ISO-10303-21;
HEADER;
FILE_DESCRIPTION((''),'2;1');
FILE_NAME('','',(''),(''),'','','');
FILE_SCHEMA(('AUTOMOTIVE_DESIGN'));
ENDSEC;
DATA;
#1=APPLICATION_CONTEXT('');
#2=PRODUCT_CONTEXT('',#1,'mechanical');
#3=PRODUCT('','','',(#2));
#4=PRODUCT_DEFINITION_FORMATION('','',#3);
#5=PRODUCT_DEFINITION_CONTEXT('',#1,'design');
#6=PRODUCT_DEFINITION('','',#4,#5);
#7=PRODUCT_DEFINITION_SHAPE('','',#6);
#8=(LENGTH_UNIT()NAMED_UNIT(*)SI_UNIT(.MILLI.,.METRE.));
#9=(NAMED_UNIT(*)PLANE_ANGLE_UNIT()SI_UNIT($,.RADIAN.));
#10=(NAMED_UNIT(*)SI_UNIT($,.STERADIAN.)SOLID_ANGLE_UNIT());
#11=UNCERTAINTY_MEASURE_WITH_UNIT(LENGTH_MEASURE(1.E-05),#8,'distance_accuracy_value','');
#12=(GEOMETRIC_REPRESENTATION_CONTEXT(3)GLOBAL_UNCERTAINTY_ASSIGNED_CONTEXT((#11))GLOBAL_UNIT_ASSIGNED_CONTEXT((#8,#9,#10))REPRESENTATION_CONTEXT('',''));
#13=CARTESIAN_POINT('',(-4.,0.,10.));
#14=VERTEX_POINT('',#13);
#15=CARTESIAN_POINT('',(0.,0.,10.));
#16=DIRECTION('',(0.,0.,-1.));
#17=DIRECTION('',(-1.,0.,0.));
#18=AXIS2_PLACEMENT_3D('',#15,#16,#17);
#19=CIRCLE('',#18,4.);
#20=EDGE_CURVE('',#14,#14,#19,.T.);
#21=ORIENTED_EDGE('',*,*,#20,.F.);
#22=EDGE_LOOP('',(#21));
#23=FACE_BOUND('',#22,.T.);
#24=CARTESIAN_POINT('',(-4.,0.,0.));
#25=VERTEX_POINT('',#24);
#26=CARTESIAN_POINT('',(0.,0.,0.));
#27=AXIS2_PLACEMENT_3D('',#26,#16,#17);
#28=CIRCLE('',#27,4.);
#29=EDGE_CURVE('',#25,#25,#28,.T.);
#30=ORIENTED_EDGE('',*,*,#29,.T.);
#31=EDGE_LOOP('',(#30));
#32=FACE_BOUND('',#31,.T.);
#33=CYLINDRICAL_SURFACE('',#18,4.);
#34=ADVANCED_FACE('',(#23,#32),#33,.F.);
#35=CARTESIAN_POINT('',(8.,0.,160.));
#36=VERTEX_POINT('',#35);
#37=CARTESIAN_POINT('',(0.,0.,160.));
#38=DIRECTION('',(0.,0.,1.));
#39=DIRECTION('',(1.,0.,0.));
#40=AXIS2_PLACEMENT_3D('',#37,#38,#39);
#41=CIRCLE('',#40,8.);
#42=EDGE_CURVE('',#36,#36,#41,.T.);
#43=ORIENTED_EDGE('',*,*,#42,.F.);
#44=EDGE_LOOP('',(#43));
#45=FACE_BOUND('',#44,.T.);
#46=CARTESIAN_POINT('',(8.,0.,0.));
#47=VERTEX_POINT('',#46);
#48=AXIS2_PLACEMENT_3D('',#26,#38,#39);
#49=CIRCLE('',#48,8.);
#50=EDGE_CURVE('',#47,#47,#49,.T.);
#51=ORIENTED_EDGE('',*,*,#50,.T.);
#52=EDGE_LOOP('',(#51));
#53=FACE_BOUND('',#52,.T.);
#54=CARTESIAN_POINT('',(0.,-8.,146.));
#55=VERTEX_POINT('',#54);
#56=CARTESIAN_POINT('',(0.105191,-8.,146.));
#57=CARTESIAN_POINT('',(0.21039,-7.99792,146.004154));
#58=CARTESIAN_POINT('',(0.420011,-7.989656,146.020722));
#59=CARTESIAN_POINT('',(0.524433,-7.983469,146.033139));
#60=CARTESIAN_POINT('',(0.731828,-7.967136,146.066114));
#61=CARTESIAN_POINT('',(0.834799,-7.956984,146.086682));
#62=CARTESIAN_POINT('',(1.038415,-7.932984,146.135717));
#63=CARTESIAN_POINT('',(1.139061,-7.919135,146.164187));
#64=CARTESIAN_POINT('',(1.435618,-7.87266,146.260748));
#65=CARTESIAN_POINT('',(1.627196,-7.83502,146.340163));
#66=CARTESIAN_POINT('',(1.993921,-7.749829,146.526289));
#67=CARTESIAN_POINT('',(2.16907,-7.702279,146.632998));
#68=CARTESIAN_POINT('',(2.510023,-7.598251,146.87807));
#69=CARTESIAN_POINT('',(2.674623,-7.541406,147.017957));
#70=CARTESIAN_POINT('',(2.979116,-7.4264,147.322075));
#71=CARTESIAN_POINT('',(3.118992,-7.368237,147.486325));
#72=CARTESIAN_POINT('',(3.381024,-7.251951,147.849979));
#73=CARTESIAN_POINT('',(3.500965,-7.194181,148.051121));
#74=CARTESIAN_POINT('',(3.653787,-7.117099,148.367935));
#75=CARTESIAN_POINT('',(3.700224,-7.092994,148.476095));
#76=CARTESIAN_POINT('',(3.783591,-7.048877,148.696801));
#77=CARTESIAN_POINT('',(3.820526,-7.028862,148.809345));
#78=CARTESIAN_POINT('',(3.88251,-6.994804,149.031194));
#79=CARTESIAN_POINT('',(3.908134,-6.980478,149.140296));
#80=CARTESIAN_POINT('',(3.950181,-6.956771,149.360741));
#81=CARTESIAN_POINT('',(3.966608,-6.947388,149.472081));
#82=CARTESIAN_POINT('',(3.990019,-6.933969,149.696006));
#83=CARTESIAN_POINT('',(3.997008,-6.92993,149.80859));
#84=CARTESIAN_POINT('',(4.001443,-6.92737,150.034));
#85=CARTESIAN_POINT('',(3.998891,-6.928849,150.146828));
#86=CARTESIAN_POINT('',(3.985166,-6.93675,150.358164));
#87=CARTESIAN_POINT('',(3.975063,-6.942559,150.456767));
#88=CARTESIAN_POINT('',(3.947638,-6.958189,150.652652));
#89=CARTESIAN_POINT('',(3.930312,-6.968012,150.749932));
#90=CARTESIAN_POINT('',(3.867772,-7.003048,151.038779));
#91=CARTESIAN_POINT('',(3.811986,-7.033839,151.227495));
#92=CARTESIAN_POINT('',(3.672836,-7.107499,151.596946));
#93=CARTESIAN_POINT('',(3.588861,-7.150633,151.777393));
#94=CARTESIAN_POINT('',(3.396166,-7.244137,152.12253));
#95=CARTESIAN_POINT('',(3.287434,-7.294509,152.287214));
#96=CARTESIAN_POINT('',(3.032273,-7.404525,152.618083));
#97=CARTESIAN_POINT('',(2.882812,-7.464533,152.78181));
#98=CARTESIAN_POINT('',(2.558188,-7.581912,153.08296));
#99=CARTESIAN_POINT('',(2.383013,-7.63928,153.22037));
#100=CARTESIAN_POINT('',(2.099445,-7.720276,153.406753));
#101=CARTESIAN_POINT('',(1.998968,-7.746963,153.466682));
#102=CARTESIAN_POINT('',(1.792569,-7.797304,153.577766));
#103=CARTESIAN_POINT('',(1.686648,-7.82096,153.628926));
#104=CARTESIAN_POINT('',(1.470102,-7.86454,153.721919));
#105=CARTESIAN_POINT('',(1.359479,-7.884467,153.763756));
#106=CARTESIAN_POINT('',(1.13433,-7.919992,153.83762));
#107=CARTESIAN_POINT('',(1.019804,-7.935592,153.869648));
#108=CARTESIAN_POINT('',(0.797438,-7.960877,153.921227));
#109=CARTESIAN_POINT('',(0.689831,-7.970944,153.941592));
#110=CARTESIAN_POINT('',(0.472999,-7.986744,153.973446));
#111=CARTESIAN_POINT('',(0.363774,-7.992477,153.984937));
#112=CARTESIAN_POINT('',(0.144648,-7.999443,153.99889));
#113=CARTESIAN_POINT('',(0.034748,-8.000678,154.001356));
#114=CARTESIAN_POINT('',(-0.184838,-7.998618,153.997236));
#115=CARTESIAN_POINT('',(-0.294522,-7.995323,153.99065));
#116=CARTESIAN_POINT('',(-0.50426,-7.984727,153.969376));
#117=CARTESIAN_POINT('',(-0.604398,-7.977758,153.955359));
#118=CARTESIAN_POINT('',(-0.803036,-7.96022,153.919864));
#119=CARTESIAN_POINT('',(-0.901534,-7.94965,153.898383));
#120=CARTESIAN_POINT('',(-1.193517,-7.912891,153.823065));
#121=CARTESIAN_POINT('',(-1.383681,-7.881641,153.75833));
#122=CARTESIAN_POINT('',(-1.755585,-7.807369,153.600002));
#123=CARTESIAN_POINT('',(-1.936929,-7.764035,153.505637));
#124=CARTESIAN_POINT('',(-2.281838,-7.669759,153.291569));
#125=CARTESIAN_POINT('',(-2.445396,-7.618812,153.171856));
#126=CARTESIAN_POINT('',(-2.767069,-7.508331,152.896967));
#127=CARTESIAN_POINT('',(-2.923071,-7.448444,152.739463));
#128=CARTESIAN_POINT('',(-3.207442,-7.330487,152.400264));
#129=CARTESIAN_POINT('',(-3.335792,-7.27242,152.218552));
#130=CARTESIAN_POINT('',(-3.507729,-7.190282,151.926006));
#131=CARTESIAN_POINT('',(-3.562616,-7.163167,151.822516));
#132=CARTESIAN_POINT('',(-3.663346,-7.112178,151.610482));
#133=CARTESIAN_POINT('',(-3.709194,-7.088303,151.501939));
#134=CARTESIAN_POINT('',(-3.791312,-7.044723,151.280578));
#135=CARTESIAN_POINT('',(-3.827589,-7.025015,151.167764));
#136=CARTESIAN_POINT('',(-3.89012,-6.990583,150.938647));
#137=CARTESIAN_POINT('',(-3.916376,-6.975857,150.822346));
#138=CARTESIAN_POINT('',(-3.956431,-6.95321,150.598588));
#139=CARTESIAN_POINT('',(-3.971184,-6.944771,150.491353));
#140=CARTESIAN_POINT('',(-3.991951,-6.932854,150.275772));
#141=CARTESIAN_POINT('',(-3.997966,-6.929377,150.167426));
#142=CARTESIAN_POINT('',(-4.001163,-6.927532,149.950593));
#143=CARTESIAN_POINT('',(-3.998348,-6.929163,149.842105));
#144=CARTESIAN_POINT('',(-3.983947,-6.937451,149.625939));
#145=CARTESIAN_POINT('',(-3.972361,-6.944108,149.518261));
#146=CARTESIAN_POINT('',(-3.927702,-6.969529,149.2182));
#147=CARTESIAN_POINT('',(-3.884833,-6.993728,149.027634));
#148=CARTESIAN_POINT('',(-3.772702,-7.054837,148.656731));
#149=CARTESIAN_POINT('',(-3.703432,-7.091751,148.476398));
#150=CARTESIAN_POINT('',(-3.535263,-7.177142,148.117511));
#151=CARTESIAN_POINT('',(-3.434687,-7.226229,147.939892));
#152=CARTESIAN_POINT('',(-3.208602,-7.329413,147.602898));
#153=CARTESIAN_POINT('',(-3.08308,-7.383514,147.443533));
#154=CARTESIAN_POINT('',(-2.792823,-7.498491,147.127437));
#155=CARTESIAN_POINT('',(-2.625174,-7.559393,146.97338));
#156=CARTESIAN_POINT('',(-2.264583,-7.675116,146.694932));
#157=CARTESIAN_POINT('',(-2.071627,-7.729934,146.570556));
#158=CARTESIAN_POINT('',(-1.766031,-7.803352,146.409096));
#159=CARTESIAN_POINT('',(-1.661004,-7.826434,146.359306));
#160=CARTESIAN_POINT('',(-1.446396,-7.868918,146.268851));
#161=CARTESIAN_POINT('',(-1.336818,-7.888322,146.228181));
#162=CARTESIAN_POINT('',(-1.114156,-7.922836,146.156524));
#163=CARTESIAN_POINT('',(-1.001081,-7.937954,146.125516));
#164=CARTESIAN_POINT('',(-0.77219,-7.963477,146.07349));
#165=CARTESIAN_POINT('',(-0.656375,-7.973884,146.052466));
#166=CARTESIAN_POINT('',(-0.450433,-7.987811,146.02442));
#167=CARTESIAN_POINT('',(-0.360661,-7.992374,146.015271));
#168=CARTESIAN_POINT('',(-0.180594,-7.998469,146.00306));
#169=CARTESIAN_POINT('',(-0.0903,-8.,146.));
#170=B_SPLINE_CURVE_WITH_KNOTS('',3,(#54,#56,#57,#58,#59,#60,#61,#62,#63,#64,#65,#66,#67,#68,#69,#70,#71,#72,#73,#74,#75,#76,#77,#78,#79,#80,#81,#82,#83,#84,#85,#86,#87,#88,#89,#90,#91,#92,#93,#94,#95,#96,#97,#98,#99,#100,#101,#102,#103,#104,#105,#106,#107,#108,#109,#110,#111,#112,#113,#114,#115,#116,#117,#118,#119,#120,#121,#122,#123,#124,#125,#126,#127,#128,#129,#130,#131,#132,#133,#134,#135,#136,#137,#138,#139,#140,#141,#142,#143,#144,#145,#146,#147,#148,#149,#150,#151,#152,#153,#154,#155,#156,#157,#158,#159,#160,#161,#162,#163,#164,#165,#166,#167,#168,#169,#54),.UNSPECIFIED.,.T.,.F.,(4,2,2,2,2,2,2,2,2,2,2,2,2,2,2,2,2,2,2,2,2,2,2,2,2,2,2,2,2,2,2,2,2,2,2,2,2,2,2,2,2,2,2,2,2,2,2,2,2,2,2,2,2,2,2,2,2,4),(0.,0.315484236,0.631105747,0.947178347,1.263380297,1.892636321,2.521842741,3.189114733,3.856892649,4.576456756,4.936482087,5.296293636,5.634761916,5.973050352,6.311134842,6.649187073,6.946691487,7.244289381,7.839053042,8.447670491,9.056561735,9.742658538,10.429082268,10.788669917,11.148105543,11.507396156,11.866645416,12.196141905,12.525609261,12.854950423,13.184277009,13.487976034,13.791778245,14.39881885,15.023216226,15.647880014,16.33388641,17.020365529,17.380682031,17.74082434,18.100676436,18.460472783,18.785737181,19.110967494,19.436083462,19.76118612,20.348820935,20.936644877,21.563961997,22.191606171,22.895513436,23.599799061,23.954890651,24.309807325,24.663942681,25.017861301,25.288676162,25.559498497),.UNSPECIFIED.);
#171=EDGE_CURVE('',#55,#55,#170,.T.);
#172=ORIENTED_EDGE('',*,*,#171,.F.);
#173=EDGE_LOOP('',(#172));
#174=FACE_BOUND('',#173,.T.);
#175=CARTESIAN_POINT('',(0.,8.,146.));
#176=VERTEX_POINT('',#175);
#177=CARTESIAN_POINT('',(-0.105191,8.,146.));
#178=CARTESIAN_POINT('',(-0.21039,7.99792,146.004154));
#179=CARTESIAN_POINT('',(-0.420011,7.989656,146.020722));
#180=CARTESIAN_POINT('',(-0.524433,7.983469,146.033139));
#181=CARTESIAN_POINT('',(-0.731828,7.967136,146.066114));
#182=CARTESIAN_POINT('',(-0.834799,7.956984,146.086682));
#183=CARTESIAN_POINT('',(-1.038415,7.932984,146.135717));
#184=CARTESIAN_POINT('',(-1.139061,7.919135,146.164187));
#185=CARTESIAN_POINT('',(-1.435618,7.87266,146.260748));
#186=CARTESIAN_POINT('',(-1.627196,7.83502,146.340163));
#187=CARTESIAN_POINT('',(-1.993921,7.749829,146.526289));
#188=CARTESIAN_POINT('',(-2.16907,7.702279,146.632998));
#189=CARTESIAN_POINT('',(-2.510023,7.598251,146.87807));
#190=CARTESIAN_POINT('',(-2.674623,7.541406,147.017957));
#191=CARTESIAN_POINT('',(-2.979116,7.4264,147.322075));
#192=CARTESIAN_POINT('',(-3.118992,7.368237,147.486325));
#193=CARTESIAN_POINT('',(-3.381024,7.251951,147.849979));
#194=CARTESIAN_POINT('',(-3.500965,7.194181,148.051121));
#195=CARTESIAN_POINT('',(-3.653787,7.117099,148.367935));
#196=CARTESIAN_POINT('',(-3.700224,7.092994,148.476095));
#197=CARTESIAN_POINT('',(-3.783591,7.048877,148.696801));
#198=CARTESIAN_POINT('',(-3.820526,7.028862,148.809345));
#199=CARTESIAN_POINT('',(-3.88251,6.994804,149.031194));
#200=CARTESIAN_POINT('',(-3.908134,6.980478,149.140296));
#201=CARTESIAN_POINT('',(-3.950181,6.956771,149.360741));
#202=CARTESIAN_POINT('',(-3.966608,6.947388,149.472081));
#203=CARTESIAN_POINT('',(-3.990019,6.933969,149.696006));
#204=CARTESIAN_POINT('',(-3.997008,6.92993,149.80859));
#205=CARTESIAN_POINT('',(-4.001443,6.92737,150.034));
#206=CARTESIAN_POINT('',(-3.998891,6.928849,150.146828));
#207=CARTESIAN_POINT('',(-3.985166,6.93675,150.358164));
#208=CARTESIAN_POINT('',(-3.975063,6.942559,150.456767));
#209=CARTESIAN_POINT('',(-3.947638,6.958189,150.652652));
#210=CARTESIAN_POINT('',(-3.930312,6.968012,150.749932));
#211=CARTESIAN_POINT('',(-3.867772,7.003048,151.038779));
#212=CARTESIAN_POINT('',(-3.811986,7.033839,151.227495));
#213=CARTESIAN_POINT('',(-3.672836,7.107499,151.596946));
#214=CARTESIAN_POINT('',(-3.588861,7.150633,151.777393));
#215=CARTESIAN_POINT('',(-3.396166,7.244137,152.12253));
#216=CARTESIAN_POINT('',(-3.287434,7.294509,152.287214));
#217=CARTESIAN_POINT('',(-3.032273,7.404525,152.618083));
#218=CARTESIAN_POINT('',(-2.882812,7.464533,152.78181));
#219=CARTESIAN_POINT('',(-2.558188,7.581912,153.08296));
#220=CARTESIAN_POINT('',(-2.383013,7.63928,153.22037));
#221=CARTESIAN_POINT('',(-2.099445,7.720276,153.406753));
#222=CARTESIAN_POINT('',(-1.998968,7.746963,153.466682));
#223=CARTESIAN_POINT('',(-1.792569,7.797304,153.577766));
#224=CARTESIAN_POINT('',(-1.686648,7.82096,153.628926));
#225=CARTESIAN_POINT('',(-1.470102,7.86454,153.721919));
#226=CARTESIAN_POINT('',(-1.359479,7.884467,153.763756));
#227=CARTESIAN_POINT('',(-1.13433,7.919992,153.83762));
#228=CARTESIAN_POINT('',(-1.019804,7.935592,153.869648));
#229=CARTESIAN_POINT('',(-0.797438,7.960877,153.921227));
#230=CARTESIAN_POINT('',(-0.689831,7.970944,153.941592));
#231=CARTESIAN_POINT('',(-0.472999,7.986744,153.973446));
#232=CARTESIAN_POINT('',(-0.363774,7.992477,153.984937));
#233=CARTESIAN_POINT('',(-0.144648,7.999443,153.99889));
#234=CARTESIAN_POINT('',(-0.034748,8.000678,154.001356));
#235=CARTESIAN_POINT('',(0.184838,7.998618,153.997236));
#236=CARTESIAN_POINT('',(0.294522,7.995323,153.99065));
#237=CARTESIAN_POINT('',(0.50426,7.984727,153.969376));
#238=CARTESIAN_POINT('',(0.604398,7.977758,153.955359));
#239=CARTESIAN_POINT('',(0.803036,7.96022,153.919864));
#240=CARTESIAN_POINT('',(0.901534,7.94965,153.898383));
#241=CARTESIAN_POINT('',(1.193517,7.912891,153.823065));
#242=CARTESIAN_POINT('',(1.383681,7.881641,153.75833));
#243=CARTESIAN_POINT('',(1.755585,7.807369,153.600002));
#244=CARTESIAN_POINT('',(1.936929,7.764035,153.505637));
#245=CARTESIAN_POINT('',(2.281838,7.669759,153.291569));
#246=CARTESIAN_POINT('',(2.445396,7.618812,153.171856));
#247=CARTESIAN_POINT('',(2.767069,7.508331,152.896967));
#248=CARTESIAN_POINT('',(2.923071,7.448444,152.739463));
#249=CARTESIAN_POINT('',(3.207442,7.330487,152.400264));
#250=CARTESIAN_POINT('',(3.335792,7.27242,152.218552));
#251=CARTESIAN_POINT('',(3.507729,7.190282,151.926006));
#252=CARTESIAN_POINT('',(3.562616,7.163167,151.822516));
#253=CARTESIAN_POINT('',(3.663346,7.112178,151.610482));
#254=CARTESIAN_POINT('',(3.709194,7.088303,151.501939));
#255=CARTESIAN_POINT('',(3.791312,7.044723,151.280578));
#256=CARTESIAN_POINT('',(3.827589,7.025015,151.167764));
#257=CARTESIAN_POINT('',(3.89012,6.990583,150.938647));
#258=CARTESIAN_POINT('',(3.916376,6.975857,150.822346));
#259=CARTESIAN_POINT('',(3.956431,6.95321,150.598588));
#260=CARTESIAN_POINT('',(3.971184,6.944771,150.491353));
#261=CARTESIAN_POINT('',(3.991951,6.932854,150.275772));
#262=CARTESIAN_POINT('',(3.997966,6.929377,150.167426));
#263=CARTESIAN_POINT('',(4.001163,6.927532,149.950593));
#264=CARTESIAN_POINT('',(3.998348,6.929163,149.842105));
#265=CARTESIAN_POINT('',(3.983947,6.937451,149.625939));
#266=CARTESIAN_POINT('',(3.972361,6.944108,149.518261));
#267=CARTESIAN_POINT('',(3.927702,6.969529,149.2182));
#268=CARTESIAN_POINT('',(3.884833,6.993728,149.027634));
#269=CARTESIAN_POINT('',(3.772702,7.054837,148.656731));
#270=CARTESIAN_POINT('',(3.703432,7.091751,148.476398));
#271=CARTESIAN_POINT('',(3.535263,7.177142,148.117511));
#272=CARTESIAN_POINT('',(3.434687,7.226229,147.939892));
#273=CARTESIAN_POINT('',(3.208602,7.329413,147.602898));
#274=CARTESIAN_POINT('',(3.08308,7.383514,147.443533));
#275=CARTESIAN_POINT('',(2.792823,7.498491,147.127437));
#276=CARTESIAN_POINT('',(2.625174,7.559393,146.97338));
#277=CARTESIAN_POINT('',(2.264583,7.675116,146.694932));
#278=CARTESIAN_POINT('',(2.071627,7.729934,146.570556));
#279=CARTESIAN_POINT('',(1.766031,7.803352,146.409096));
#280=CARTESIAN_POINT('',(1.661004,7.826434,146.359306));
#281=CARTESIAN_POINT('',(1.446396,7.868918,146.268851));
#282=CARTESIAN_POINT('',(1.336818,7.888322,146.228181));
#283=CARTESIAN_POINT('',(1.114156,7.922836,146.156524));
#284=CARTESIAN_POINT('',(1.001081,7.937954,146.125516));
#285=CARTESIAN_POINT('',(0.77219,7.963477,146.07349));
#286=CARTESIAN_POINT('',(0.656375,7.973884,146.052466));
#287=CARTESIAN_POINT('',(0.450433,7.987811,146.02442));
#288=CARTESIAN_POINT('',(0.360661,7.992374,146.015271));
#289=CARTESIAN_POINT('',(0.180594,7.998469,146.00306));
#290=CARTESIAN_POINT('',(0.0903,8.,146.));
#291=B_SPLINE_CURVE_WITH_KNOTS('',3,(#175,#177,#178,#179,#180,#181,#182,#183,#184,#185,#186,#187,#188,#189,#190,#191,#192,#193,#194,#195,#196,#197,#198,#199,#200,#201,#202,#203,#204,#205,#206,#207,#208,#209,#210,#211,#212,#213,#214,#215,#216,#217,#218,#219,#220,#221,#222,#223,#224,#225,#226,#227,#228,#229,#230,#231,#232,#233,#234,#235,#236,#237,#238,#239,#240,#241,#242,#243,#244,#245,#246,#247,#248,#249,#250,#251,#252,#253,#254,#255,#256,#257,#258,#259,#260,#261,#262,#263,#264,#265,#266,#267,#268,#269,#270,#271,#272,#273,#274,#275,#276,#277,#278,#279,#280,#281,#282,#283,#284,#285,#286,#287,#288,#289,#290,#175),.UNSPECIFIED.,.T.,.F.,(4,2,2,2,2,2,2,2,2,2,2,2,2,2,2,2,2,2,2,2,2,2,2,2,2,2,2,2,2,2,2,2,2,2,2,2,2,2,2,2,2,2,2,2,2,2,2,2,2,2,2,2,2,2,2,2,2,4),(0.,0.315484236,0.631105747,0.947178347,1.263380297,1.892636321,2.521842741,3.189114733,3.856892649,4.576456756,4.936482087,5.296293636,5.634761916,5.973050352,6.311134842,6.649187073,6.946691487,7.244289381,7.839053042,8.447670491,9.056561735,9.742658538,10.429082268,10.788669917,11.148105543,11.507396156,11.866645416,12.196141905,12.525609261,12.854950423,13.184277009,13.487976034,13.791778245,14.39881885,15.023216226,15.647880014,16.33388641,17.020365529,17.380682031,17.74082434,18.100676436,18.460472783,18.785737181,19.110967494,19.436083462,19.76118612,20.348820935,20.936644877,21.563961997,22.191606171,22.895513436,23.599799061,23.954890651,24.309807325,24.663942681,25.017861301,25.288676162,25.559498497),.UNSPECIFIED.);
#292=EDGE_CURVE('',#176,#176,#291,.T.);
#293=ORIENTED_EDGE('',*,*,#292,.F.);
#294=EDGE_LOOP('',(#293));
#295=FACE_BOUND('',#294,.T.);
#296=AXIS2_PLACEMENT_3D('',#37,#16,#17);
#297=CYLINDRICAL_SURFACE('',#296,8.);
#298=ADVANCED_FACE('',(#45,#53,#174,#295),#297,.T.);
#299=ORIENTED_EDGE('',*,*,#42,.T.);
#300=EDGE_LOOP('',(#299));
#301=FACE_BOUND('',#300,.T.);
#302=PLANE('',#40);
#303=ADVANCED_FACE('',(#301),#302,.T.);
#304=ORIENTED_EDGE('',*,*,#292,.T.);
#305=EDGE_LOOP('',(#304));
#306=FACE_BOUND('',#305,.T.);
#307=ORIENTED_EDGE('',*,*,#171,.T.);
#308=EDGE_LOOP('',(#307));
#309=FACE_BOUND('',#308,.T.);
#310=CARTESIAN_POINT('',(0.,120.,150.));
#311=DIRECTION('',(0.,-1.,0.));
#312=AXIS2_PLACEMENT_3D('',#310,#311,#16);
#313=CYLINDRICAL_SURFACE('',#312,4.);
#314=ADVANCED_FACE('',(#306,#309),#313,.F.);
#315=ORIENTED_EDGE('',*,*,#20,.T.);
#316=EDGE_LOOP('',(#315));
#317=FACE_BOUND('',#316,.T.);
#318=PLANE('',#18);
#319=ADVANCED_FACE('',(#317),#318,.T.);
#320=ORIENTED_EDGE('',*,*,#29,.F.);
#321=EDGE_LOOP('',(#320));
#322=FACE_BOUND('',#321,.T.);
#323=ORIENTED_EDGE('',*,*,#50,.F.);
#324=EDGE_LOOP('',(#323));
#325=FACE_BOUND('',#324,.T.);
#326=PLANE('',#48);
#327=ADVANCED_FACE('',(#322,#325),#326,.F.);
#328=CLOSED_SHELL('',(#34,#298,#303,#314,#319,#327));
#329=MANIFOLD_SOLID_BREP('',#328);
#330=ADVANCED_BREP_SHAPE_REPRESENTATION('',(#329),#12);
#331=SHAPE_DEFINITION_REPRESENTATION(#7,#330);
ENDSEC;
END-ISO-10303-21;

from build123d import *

# Parameters (mm, degrees)
SKETCH_1_R               = 8
EXTRUDE_1_DEPTH          = 160
CUT_EXTRUDE_1_DEPTH      = 120
CUT_EXTRUDE_1_DEPTH_BACK = 120
SKETCH_2_R               = 4
SKETCH_3_R               = 4
CUT_EXTRUDE_2_DEPTH      = 10


with BuildPart() as part:
    # 草图1 → 凸台-拉伸1 (new body)
    with BuildSketch(Plane.XY):
        Circle(SKETCH_1_R)
    extrude(amount=EXTRUDE_1_DEPTH)

    # 草图2 → 切除-拉伸1 (cut, two sides: drawn at the far end of the back side and taken through both)
    with BuildSketch(Plane(origin=(0, 0, 0), x_dir=(1, 0, 0), z_dir=(0, 1, 0)).offset(-CUT_EXTRUDE_1_DEPTH_BACK)):
        with Locations((0, -150)):
            Circle(SKETCH_2_R)
    extrude(amount=CUT_EXTRUDE_1_DEPTH + CUT_EXTRUDE_1_DEPTH_BACK, mode=Mode.SUBTRACT)

    # 草图3 → 切除-拉伸2 (cut)
    with BuildSketch(Plane(origin=(0, 0, 0), x_dir=(-1, 0, 0), z_dir=(0, 0, -1))):
        Circle(SKETCH_3_R)
    extrude(amount=-CUT_EXTRUDE_2_DEPTH, mode=Mode.SUBTRACT)


solid = part.part
